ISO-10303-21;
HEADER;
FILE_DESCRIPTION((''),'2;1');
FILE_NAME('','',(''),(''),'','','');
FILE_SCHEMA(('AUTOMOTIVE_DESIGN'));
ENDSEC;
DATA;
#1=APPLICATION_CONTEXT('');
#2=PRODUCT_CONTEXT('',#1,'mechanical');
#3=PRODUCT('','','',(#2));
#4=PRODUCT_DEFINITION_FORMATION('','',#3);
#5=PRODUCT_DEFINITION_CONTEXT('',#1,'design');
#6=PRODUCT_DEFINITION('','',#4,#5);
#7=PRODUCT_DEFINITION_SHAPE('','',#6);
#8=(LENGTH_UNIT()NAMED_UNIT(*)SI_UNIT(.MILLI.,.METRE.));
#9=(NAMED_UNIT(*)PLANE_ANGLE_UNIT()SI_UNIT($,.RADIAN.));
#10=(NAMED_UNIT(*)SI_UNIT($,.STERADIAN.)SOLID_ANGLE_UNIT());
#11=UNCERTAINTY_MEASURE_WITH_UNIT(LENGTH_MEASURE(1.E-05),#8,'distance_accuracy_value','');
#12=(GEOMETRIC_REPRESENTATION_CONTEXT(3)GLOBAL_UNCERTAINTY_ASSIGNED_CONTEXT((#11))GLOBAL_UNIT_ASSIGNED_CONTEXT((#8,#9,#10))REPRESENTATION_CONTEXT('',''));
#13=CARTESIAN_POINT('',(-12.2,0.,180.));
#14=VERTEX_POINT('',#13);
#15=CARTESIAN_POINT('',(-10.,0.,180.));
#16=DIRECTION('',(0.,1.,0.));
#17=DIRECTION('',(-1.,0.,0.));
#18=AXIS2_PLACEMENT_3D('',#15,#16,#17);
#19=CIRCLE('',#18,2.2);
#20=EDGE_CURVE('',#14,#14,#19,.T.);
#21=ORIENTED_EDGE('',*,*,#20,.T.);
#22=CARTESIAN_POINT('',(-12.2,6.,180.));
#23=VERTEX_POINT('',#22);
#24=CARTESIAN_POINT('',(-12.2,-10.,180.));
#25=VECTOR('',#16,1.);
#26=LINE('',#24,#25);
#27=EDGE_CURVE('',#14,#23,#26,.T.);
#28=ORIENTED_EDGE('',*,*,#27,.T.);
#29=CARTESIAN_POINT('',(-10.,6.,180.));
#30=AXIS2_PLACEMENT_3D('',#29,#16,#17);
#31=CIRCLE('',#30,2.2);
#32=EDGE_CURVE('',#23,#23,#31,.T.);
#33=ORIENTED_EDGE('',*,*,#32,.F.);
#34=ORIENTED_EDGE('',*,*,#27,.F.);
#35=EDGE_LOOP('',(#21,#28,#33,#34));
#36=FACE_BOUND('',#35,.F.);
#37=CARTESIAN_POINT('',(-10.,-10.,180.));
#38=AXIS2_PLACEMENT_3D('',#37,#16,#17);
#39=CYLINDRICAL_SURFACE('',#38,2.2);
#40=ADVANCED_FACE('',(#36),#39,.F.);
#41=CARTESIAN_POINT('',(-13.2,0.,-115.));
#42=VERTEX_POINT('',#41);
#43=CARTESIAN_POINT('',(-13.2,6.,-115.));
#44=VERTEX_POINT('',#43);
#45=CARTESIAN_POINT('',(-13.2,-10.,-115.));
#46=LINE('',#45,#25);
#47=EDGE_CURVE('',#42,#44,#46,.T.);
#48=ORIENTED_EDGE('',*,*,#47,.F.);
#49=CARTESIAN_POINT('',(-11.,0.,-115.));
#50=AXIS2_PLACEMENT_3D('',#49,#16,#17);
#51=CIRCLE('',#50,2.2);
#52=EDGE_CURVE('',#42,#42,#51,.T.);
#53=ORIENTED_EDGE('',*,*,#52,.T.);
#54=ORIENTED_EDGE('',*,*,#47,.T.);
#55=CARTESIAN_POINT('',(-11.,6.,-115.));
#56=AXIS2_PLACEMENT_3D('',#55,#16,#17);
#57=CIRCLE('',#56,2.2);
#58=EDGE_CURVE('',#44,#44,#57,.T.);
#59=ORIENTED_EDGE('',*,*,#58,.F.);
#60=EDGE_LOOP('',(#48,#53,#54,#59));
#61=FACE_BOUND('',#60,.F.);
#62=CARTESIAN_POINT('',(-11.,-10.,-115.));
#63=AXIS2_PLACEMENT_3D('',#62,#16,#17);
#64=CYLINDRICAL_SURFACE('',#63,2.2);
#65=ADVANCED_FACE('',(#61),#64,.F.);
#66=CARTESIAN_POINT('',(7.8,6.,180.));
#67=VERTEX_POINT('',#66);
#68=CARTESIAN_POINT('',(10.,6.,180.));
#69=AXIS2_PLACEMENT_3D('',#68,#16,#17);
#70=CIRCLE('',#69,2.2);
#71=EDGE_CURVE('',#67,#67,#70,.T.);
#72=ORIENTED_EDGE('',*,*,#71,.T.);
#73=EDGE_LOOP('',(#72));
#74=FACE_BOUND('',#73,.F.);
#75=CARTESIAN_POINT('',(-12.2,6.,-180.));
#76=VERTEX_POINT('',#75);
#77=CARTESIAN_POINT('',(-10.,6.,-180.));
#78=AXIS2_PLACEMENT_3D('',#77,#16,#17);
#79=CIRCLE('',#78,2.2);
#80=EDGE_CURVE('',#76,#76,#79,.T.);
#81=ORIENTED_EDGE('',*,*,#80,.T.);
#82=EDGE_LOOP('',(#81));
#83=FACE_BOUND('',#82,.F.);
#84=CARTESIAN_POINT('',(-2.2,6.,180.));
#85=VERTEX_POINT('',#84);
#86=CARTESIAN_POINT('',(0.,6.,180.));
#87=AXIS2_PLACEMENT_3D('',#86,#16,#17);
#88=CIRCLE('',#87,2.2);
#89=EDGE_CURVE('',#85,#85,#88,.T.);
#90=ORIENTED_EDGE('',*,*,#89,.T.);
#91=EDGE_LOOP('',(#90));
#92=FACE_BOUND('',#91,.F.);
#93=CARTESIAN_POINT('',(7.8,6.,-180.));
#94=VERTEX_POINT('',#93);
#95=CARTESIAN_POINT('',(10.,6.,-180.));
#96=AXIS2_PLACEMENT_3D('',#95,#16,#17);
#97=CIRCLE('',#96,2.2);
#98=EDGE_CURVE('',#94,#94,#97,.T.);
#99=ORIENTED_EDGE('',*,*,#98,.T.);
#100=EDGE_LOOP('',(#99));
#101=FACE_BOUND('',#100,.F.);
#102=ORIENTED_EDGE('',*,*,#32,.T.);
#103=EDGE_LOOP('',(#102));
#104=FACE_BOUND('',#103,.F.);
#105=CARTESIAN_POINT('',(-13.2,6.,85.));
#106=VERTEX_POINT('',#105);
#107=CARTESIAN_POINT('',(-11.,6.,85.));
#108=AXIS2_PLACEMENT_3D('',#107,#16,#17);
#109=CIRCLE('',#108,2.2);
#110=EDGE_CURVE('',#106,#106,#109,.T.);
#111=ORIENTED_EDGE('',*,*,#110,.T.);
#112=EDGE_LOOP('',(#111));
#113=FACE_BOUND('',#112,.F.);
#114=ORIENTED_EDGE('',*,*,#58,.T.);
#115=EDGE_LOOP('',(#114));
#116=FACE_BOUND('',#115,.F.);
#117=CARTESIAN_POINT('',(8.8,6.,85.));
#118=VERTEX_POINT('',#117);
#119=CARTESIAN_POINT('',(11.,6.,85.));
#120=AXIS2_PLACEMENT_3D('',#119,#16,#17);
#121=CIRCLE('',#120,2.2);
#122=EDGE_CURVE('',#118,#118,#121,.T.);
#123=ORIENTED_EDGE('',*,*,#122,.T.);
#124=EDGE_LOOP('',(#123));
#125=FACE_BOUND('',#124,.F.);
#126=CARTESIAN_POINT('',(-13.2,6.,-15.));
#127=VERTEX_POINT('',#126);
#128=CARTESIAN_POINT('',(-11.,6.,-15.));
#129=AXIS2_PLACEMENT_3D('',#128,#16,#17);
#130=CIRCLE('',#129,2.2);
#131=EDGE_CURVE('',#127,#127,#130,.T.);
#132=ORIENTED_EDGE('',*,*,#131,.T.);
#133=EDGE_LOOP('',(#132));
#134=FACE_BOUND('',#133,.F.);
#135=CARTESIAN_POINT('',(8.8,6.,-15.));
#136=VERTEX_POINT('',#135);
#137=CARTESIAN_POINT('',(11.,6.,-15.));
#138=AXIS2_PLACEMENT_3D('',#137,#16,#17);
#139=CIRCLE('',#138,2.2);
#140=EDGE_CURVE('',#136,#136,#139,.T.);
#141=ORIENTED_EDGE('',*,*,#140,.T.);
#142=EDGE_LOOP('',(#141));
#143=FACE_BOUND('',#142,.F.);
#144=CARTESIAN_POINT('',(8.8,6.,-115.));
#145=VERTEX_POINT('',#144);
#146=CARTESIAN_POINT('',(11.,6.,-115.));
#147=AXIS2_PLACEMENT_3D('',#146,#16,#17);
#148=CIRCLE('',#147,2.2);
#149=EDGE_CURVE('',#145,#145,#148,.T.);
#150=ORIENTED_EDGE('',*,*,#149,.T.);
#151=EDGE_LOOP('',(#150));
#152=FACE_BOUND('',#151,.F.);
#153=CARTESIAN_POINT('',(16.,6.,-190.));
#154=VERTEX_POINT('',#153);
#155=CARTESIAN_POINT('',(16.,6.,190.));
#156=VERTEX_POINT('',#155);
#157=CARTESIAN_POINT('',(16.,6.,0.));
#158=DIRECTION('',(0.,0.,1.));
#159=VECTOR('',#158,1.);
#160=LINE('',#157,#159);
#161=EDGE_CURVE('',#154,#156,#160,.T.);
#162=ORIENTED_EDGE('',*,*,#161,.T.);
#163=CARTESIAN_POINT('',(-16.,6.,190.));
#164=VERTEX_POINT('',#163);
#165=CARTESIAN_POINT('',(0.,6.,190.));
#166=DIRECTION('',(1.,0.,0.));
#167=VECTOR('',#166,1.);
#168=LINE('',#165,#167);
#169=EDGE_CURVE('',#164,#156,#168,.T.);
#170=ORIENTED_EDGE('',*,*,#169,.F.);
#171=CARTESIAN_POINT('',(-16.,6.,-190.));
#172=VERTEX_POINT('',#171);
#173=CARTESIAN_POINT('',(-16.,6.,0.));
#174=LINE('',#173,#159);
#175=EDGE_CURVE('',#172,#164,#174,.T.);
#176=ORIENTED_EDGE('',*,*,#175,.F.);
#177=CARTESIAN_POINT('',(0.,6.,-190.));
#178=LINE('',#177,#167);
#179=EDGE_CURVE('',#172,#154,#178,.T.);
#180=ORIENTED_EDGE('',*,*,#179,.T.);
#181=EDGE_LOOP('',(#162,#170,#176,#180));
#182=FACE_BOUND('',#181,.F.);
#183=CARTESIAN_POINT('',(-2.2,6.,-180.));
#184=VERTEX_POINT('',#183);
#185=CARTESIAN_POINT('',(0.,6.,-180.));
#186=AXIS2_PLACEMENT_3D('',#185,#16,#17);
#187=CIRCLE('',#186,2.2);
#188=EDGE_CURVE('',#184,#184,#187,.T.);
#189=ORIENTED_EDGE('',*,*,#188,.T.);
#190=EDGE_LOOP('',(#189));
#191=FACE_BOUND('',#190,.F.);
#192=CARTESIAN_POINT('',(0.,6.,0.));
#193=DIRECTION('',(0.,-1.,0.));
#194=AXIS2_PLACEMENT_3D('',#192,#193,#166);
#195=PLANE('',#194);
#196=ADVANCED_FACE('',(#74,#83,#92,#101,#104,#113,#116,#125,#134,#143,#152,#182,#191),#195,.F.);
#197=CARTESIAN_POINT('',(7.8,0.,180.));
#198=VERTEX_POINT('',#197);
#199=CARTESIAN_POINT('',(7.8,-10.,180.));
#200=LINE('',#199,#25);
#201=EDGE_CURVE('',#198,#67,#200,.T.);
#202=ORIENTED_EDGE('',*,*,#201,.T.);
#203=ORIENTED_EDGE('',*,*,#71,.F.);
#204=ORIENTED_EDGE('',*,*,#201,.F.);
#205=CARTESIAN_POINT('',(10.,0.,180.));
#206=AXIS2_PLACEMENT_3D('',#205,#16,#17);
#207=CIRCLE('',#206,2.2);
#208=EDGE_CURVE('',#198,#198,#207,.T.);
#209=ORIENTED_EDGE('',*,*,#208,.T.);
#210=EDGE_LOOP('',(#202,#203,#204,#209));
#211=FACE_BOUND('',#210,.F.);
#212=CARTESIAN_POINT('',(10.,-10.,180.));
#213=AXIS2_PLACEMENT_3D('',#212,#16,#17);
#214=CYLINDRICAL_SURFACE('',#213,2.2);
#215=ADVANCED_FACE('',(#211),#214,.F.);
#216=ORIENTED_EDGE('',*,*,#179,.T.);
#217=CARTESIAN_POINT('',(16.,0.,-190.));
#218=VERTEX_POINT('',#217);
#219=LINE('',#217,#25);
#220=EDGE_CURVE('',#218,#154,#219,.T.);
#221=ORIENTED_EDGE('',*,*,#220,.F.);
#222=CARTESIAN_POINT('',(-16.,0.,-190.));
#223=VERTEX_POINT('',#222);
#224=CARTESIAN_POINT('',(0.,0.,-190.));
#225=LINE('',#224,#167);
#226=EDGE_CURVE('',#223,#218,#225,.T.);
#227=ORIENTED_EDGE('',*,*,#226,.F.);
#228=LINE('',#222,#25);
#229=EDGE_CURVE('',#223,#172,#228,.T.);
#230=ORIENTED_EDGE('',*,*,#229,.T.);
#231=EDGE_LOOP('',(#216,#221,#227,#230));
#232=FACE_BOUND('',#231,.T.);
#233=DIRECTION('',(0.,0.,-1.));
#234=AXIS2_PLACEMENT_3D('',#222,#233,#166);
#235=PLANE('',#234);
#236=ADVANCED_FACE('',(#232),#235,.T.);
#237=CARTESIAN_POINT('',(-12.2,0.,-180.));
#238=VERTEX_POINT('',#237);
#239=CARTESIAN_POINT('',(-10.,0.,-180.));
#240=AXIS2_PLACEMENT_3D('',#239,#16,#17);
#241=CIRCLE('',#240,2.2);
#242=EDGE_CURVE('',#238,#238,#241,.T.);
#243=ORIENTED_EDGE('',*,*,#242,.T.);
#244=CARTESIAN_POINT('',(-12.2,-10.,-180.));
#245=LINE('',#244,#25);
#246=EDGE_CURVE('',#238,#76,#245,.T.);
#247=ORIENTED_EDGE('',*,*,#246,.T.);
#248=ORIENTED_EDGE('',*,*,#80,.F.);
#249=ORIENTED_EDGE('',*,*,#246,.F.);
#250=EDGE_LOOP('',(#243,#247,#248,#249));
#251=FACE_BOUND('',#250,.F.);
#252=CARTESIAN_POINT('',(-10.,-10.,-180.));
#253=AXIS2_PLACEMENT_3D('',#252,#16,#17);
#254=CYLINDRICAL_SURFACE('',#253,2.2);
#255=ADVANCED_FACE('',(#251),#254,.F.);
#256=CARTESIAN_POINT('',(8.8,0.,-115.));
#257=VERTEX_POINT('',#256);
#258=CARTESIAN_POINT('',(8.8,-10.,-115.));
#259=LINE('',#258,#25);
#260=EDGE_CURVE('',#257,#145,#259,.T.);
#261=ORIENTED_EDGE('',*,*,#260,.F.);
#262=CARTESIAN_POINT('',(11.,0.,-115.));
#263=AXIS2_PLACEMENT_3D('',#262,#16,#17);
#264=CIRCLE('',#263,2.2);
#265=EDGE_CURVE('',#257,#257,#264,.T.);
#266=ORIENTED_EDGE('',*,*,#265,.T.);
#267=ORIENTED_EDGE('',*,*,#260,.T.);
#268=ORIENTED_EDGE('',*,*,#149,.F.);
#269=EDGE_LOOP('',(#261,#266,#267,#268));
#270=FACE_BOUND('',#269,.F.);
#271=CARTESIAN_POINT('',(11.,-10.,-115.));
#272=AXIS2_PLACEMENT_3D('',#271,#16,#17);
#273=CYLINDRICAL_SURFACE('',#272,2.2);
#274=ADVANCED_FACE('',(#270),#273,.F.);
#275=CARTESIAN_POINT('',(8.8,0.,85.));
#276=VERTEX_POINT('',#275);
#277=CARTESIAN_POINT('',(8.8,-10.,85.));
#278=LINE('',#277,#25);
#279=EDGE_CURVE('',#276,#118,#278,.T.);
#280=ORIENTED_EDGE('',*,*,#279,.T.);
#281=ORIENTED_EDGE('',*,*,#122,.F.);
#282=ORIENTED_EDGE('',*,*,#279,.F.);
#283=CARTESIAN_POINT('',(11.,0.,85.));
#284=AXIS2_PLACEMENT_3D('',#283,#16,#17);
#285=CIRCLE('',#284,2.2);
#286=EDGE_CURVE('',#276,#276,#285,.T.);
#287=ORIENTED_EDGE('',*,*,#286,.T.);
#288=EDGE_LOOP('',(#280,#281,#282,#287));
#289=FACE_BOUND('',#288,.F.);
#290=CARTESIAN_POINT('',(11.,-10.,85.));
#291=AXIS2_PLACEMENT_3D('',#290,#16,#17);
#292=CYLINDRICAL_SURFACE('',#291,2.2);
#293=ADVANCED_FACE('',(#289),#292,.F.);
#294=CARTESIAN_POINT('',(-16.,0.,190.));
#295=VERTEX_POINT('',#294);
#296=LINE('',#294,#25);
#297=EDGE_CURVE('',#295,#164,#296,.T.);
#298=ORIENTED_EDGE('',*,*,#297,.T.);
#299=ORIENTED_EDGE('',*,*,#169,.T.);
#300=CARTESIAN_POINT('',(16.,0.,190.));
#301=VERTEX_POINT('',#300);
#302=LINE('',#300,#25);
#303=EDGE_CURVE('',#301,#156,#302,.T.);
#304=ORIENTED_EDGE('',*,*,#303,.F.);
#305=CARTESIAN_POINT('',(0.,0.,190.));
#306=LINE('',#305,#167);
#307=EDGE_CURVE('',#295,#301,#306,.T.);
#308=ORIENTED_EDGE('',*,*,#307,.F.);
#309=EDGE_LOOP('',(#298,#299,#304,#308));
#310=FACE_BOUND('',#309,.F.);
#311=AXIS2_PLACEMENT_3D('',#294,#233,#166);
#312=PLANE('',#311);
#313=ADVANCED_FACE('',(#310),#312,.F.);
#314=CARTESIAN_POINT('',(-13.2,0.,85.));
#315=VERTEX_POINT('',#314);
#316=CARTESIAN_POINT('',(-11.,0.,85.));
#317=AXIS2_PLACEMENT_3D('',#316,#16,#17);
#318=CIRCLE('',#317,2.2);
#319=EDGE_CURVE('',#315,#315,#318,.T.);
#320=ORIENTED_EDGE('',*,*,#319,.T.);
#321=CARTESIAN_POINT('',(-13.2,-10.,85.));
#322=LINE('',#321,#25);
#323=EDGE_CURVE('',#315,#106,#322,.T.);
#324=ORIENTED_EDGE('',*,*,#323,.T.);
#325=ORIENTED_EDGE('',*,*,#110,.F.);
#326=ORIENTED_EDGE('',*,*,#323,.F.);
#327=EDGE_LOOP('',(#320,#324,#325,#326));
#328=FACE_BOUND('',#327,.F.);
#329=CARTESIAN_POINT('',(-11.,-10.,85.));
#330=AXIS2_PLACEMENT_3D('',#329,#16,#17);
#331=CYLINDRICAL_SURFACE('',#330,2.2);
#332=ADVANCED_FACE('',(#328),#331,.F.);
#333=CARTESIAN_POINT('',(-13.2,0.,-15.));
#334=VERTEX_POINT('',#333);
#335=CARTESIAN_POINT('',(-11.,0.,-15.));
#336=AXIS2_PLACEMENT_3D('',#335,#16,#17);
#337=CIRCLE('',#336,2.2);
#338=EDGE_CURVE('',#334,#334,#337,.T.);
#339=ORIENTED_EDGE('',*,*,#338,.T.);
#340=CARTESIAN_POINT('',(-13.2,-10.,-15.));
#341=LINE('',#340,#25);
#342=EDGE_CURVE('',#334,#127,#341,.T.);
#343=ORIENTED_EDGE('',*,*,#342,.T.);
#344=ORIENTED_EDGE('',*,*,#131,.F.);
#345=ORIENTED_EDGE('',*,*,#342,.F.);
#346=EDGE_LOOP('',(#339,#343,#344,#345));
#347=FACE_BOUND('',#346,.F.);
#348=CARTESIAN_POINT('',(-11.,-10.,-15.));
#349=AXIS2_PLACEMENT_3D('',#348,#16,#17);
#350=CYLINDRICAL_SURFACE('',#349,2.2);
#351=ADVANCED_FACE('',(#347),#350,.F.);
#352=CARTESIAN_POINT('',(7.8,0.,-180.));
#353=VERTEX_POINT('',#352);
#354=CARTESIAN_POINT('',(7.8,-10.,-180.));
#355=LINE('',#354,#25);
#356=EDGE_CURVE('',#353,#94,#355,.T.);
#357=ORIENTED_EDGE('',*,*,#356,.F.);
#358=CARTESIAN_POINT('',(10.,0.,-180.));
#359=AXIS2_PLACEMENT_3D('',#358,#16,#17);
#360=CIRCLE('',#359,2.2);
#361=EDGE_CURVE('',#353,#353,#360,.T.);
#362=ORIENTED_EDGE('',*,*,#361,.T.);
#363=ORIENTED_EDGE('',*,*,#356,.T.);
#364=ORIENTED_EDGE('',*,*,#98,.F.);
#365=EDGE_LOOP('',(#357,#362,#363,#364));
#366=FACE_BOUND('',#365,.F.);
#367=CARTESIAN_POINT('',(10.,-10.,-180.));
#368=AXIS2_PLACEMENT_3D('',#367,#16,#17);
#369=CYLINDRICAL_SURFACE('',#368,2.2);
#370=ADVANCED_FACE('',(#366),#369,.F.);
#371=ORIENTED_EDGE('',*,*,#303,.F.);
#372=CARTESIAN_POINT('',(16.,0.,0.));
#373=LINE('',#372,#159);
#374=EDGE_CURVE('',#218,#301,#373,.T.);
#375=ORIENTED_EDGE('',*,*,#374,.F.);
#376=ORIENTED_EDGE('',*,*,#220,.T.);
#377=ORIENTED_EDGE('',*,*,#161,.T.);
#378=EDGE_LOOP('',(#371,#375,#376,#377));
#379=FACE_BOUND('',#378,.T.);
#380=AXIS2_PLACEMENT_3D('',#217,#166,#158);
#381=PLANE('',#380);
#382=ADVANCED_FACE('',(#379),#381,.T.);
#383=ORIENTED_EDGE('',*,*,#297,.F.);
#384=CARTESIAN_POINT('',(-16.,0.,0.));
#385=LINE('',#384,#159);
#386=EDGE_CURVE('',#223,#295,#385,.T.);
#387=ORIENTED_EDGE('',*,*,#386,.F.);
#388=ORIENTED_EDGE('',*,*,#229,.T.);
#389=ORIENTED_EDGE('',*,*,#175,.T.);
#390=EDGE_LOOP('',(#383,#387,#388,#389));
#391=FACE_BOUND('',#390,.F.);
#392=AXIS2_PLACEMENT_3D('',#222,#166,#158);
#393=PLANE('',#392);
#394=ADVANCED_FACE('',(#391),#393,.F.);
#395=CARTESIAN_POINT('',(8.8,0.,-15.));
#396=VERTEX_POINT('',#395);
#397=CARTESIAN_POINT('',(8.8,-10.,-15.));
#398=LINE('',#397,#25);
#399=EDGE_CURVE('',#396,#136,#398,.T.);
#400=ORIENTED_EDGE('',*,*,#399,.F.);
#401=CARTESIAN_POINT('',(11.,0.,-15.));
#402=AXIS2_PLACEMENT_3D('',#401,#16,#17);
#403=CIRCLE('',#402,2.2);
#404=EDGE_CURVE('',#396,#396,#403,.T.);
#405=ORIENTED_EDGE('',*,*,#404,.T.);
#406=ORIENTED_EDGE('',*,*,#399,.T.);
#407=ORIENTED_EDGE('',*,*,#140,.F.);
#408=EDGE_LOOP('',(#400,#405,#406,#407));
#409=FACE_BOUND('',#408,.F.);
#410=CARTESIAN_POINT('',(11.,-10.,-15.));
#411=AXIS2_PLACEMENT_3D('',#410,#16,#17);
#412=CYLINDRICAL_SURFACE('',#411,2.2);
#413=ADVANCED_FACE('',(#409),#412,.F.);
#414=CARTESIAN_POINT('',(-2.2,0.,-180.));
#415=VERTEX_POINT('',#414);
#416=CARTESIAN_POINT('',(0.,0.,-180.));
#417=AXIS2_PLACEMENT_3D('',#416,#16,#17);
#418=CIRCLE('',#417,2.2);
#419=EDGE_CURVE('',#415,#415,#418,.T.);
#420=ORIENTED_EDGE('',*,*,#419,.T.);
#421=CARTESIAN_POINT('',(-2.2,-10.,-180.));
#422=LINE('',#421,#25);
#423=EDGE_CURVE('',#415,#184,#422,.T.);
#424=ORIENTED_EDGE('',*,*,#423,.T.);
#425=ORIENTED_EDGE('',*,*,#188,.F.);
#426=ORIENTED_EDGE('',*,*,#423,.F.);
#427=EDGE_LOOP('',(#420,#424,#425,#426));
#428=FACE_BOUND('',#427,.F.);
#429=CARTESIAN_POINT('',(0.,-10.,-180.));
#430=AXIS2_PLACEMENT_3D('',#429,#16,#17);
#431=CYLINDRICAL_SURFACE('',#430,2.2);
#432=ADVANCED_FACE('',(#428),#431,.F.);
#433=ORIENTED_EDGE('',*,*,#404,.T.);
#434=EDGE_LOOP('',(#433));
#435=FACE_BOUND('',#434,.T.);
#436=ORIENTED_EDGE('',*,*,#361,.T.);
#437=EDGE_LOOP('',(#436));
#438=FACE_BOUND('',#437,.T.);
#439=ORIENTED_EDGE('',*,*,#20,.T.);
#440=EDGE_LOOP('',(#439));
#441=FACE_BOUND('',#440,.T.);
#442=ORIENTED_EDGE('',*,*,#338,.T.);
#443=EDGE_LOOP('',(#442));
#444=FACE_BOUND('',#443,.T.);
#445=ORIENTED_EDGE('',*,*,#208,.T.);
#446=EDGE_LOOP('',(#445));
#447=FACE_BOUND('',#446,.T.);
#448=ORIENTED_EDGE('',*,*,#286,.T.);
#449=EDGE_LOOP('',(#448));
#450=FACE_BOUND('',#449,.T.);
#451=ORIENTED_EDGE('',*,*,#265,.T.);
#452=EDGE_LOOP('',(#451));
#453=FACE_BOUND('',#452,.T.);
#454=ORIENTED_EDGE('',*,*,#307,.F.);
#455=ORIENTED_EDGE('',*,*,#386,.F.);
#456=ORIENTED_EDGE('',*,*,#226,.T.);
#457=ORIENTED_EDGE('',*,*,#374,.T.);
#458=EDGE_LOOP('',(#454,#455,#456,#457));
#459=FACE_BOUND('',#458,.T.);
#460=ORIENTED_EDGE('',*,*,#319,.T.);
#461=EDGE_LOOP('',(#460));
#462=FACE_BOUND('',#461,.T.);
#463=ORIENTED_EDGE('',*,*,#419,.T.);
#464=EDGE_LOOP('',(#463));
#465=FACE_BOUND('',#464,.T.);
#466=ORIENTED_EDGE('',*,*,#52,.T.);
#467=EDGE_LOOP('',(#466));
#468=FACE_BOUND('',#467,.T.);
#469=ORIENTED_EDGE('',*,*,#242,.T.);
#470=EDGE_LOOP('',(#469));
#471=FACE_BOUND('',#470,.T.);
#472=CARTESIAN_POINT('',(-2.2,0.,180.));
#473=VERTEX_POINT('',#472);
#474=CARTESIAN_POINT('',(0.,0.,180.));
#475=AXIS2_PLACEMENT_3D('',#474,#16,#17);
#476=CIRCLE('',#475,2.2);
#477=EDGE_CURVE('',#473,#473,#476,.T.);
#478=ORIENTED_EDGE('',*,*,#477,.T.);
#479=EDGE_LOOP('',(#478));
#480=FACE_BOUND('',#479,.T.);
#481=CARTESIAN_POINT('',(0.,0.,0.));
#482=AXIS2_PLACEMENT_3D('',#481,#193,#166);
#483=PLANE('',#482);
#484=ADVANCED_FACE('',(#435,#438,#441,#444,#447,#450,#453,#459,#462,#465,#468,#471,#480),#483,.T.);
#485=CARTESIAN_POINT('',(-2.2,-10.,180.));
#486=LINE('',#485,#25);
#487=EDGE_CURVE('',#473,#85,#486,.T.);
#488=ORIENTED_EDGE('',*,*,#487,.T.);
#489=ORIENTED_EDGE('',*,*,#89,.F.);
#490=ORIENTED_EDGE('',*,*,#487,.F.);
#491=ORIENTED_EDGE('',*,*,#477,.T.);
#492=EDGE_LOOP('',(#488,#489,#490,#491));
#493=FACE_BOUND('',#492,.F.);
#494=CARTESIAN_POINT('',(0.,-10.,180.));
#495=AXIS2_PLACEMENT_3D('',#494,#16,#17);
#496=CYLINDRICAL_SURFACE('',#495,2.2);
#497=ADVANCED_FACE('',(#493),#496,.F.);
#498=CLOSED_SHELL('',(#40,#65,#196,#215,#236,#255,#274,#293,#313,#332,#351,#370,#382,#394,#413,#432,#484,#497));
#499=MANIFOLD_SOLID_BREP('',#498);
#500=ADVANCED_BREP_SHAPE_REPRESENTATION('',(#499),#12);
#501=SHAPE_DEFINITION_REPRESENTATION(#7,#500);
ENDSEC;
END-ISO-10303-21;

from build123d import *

# Parameters (mm, degrees)
F0_W     = 32
F0_H     = 380
F1_DEPTH = 6
F2_D     = 4.4
F2_DEPTH = 10
F2_TIP   = 1.3218933619


with BuildPart() as f1:
    # F0 (on Front) → F1 (new body)
    with BuildSketch(Plane.XZ):
        Rectangle(F0_W, F0_H)
    extrude(amount=-F1_DEPTH)

    # F2
    with Locations(Plane.XZ):
        with Locations((-10, -180), (0, -180), (10, -180), (-10, 180), (0, 180), (10, 180), (-11, -115), (11, -115), (-11, -15), (11, -15), (-11, 85), (11, 85)):
            Hole(F2_D / 2, depth=F2_DEPTH)
            with Locations((0, 0, -(F2_DEPTH + F2_TIP / 2))):  # 118° drill point
                Cone(0, F2_D / 2, F2_TIP, mode=Mode.SUBTRACT)


solid = f1.part
